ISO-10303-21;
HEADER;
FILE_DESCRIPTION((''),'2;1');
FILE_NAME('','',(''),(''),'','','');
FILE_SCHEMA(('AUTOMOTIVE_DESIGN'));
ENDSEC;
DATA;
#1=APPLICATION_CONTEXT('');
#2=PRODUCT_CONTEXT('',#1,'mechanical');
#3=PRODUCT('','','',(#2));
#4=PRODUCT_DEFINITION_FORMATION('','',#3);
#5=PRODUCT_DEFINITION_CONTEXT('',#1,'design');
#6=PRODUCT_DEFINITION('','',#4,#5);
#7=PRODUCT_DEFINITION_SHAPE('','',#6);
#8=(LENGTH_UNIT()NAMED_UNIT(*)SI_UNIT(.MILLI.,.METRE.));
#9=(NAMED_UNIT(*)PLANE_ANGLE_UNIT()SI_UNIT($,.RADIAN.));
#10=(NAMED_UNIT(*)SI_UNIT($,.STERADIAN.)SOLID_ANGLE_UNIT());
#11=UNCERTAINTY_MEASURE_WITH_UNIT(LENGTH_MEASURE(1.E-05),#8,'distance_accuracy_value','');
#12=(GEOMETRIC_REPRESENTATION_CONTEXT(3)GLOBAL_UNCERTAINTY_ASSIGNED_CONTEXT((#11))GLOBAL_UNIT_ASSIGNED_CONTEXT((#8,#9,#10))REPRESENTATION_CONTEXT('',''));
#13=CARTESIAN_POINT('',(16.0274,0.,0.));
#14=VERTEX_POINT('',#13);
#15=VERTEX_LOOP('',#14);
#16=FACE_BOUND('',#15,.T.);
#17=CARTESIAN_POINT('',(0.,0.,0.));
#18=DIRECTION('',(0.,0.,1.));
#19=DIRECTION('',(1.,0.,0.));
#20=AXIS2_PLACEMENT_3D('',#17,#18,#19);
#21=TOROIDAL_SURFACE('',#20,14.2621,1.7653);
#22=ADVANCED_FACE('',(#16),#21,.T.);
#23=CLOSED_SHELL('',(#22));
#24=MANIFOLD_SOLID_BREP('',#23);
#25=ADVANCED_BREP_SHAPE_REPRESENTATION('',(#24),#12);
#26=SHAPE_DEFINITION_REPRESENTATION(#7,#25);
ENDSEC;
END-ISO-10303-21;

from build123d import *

# Parameters (mm, degrees)
SKETCH1_R = 1.7653


with BuildPart() as part:
    # Sketch1 → Revolve2 (revolve)
    with BuildSketch(Plane(origin=(0, 0, 0), x_dir=(0, 0, -1), z_dir=(1, 0, 0))):
        with Locations((0, 14.2621)):
            Circle(SKETCH1_R)
    revolve(axis=Axis((0, 0, 10.882634634), (0, 0, -1)))


solid = part.part
